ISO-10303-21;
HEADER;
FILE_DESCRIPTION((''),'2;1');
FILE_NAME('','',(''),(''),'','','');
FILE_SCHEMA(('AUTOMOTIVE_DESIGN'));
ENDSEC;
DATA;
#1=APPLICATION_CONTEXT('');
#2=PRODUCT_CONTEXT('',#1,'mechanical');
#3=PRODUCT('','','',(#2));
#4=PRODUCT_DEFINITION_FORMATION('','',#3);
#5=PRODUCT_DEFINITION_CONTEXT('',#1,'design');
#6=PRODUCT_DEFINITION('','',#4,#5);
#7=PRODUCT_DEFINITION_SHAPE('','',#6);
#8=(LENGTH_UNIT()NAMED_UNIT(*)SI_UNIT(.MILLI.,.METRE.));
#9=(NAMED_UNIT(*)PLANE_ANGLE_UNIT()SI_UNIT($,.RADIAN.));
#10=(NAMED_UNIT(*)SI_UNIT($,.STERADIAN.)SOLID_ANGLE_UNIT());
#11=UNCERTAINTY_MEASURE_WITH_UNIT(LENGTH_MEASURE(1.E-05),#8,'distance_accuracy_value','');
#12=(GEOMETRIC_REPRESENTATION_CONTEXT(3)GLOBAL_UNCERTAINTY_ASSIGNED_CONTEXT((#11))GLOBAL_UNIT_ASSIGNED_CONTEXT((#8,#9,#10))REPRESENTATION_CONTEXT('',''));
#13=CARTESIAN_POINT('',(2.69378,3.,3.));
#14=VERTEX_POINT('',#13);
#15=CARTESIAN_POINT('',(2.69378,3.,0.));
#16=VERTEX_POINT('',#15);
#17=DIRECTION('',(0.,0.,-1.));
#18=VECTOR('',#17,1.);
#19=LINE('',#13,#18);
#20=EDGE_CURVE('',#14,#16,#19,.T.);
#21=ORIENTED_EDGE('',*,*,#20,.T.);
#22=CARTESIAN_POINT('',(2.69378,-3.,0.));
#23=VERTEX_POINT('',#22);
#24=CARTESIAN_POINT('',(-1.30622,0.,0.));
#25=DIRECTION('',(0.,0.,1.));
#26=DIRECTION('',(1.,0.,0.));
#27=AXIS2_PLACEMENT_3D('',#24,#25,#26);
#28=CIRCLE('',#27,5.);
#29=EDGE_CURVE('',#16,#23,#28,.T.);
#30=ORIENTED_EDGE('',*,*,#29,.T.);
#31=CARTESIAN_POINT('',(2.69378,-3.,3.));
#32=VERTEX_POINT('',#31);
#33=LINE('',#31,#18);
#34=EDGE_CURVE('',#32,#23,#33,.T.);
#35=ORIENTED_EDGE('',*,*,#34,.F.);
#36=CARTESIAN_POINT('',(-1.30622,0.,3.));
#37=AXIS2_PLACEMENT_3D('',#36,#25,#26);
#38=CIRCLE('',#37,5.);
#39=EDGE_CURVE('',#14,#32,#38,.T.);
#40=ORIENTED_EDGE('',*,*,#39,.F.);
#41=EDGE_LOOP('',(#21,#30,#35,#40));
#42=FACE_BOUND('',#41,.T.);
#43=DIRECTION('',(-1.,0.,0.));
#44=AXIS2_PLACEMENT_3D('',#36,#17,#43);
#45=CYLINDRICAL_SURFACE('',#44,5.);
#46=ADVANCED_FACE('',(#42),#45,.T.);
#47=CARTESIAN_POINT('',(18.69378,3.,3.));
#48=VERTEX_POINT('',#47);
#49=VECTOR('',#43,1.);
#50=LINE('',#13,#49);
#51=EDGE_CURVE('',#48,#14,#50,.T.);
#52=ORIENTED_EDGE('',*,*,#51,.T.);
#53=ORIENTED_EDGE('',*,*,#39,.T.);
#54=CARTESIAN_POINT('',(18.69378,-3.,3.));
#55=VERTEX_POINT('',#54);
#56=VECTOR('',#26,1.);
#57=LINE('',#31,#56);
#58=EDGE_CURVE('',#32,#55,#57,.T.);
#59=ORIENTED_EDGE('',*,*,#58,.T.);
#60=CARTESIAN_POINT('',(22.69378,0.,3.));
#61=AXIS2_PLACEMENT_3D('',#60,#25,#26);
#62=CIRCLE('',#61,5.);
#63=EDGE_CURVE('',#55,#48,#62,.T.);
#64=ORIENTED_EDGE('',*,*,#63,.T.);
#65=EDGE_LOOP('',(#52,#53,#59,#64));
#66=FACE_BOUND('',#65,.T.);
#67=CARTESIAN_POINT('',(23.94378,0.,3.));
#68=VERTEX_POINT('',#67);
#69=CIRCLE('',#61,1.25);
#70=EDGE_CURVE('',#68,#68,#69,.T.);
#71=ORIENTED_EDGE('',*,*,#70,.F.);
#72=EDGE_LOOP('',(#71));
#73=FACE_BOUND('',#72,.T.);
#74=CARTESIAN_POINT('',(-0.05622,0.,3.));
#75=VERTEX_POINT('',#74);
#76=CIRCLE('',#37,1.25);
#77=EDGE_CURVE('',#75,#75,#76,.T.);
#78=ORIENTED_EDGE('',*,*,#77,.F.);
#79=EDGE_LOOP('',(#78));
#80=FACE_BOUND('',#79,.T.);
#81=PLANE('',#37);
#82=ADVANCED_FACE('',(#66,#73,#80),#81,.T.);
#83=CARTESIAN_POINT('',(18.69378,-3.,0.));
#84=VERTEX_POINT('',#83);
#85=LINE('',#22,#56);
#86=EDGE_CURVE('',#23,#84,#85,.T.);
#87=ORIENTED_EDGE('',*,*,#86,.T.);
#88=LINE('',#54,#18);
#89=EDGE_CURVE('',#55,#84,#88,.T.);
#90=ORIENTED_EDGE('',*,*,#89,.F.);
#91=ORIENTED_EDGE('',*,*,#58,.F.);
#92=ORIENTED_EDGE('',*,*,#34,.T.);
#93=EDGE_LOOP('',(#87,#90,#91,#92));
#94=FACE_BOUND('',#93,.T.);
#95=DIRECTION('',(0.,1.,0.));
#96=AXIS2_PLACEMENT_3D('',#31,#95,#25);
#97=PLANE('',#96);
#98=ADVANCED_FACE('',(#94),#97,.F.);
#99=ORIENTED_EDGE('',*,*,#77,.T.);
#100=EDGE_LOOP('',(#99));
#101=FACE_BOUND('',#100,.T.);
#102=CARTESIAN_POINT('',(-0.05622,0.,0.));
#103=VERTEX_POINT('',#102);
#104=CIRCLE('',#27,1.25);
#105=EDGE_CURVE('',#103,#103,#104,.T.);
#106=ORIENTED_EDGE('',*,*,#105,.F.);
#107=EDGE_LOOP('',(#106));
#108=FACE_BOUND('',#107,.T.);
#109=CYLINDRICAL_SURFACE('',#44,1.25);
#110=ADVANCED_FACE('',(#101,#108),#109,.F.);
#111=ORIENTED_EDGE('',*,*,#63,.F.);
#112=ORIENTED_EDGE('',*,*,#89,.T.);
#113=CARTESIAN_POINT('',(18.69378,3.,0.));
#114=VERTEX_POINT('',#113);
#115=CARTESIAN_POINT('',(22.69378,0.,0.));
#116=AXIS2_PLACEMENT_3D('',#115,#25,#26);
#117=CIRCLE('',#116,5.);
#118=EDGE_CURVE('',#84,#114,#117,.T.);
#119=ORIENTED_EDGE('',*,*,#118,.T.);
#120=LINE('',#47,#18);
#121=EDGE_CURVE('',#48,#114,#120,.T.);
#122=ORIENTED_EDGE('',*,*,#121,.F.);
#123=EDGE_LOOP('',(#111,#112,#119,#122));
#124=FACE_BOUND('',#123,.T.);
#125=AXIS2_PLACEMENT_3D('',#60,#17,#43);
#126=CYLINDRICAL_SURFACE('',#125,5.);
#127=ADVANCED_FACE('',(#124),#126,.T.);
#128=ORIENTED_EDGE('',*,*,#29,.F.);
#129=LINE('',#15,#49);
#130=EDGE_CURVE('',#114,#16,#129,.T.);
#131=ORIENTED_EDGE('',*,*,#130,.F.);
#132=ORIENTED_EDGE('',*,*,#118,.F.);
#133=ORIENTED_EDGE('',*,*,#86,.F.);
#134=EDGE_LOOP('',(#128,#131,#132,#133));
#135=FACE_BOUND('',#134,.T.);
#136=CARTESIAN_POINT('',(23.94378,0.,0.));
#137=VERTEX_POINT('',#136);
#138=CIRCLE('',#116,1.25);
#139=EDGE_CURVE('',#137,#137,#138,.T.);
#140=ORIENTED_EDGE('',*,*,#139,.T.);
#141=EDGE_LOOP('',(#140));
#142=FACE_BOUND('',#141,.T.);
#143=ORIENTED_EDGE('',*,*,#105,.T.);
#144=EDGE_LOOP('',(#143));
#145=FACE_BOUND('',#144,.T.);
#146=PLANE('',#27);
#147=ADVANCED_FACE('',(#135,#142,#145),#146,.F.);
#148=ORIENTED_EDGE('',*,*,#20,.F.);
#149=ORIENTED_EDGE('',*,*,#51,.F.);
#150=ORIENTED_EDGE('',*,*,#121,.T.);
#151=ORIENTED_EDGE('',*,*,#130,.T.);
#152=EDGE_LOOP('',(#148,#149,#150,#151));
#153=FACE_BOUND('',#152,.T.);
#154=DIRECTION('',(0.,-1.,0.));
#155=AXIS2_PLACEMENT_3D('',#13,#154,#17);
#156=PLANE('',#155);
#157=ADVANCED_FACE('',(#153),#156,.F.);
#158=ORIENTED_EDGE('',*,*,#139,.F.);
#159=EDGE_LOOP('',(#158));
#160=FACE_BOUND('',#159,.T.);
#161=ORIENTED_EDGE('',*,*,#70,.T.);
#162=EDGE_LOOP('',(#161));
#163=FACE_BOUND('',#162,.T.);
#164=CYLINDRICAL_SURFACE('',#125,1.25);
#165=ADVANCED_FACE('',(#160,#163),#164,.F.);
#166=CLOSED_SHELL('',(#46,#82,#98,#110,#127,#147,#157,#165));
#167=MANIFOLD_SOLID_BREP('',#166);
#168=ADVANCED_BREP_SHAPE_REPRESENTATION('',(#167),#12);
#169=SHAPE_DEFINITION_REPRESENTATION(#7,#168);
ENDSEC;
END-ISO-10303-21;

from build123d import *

# Parameters (mm, degrees)
SKETCH2_R           = 1.25
BOSS_EXTRUDE1_DEPTH = 3


with BuildPart() as part:
    # Sketch2 → Boss-Extrude1 (new body)
    with BuildSketch(Plane.XY):
        with BuildLine():
            Line((2.693779904, 3), (18.693779904, 3))
            ThreePointArc((18.693779904, 3), (27.693779904, 0), (18.693779904, -3))
            Line((18.693779904, -3), (2.693779904, -3))
            ThreePointArc((2.693779904, -3), (-6.306220096, 0), (2.693779904, 3))
        make_face()
        with Locations((-1.306220096, 0)):
            Circle(SKETCH2_R, mode=Mode.SUBTRACT)
        with Locations((22.693779904, 0)):
            Circle(SKETCH2_R, mode=Mode.SUBTRACT)
    extrude(amount=BOSS_EXTRUDE1_DEPTH)


solid = part.part
